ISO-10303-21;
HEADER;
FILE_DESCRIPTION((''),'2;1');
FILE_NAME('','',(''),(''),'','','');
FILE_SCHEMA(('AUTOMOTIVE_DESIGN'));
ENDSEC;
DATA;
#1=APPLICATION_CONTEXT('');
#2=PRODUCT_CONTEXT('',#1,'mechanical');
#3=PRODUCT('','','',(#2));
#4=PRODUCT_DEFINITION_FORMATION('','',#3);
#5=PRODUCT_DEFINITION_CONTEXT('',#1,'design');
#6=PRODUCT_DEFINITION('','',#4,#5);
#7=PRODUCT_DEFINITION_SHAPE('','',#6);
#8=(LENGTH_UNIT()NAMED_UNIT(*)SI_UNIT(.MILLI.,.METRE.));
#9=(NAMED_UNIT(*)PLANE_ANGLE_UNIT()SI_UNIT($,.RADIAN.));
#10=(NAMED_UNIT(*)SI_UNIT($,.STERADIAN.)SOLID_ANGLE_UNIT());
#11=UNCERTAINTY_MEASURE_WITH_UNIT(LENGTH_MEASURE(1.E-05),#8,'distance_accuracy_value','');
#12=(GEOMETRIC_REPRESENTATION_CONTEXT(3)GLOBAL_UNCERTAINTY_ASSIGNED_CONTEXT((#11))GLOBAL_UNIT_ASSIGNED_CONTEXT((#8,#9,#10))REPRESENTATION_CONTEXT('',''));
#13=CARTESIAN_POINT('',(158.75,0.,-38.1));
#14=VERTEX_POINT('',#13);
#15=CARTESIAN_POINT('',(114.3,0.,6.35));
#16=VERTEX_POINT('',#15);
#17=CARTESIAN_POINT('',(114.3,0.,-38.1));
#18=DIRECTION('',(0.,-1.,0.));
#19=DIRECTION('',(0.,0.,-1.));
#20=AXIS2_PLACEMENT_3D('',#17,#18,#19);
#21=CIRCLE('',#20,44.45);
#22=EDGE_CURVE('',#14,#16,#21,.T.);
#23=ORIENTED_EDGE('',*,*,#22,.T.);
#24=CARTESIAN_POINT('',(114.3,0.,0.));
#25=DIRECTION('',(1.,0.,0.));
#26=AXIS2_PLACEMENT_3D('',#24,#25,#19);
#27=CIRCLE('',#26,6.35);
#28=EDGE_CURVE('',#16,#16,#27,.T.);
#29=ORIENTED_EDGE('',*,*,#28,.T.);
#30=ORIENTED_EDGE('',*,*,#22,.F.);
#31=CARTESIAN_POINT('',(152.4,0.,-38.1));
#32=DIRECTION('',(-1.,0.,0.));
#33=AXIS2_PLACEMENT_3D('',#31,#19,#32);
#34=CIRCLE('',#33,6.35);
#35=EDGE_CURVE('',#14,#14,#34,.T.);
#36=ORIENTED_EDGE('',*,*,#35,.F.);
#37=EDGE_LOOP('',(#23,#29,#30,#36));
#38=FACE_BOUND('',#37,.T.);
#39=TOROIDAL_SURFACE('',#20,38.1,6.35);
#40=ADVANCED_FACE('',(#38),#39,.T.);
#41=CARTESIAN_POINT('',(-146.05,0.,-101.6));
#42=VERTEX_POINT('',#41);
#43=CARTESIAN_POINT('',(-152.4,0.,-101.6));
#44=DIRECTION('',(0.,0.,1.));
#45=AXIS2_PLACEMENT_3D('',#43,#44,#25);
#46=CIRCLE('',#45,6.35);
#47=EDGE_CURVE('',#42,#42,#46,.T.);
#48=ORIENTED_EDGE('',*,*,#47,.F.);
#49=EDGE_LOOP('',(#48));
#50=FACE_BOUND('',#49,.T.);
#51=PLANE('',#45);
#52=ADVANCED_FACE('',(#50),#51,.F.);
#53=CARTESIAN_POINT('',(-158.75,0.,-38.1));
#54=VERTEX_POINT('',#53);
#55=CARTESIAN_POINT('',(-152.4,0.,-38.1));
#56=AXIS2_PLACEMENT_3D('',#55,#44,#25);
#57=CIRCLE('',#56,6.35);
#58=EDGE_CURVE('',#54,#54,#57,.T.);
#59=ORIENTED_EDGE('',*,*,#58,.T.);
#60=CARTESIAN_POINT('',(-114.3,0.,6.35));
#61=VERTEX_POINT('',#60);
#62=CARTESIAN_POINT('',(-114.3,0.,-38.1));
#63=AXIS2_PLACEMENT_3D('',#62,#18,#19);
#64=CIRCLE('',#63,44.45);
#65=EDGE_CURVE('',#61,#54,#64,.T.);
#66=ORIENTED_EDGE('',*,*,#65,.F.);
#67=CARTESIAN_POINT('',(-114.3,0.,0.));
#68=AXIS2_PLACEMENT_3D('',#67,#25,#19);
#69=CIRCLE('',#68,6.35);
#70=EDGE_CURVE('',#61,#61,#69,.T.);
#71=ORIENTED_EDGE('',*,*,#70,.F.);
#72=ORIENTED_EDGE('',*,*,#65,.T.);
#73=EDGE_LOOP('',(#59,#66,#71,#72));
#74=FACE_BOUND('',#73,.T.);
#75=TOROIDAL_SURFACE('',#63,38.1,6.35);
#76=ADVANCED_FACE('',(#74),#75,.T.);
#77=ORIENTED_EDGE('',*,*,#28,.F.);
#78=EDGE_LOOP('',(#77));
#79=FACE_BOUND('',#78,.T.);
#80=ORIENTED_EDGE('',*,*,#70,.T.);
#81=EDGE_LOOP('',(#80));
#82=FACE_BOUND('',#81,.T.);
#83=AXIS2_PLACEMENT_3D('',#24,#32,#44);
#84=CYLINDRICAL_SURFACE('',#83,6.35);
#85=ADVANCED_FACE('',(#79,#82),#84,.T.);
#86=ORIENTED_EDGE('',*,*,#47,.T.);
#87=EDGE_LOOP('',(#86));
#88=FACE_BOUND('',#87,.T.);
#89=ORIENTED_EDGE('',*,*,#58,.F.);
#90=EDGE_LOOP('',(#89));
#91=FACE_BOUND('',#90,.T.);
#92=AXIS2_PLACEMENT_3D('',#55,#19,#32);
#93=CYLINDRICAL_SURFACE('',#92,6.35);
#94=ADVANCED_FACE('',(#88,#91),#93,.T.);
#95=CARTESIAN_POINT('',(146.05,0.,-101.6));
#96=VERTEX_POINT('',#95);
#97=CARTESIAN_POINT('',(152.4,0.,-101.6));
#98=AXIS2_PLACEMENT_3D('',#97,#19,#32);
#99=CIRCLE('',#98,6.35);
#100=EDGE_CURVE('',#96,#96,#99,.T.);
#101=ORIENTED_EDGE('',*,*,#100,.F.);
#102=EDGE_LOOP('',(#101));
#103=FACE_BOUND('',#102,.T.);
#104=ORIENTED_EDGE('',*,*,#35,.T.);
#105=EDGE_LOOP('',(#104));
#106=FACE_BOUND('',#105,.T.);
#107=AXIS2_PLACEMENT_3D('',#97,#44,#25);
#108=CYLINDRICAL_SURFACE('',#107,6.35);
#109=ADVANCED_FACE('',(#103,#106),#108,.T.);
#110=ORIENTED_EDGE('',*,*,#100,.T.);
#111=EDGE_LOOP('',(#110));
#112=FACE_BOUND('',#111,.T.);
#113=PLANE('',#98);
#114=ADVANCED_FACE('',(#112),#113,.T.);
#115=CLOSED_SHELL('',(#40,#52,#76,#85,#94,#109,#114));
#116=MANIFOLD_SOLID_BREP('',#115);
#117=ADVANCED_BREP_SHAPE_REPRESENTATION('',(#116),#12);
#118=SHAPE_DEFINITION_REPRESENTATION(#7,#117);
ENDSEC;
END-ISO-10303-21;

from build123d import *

# Parameters (mm, degrees)
SWEEP1_PROFILE_R = 6.35


with BuildPart() as part:
    # Sweep1: sweep along a path in Sketch2
    with BuildLine(Plane(origin=(0, 0, 0), x_dir=(1, 0, 0), z_dir=(0, 1, 0))) as sweep1_path:
        Line((152.4, 101.6), (152.4, 38.1))
        ThreePointArc((152.4, 38.1), (141.240768363, 11.159231637), (114.3, 0))
        Line((114.3, 0), (-114.3, 0))
        ThreePointArc((-114.3, 0), (-141.240768363, 11.159231637), (-152.4, 38.1))
        Line((-152.4, 38.1), (-152.4, 101.6))
    # Sweep1 profile (on start of the path) → Sweep1 (sweep)
    with BuildSketch(Plane(origin=(152.4, 0, -101.6), x_dir=(1, 0, 0), z_dir=(0, 0, 1))):
        Circle(SWEEP1_PROFILE_R)
    sweep(path=sweep1_path.line)


solid = part.part
